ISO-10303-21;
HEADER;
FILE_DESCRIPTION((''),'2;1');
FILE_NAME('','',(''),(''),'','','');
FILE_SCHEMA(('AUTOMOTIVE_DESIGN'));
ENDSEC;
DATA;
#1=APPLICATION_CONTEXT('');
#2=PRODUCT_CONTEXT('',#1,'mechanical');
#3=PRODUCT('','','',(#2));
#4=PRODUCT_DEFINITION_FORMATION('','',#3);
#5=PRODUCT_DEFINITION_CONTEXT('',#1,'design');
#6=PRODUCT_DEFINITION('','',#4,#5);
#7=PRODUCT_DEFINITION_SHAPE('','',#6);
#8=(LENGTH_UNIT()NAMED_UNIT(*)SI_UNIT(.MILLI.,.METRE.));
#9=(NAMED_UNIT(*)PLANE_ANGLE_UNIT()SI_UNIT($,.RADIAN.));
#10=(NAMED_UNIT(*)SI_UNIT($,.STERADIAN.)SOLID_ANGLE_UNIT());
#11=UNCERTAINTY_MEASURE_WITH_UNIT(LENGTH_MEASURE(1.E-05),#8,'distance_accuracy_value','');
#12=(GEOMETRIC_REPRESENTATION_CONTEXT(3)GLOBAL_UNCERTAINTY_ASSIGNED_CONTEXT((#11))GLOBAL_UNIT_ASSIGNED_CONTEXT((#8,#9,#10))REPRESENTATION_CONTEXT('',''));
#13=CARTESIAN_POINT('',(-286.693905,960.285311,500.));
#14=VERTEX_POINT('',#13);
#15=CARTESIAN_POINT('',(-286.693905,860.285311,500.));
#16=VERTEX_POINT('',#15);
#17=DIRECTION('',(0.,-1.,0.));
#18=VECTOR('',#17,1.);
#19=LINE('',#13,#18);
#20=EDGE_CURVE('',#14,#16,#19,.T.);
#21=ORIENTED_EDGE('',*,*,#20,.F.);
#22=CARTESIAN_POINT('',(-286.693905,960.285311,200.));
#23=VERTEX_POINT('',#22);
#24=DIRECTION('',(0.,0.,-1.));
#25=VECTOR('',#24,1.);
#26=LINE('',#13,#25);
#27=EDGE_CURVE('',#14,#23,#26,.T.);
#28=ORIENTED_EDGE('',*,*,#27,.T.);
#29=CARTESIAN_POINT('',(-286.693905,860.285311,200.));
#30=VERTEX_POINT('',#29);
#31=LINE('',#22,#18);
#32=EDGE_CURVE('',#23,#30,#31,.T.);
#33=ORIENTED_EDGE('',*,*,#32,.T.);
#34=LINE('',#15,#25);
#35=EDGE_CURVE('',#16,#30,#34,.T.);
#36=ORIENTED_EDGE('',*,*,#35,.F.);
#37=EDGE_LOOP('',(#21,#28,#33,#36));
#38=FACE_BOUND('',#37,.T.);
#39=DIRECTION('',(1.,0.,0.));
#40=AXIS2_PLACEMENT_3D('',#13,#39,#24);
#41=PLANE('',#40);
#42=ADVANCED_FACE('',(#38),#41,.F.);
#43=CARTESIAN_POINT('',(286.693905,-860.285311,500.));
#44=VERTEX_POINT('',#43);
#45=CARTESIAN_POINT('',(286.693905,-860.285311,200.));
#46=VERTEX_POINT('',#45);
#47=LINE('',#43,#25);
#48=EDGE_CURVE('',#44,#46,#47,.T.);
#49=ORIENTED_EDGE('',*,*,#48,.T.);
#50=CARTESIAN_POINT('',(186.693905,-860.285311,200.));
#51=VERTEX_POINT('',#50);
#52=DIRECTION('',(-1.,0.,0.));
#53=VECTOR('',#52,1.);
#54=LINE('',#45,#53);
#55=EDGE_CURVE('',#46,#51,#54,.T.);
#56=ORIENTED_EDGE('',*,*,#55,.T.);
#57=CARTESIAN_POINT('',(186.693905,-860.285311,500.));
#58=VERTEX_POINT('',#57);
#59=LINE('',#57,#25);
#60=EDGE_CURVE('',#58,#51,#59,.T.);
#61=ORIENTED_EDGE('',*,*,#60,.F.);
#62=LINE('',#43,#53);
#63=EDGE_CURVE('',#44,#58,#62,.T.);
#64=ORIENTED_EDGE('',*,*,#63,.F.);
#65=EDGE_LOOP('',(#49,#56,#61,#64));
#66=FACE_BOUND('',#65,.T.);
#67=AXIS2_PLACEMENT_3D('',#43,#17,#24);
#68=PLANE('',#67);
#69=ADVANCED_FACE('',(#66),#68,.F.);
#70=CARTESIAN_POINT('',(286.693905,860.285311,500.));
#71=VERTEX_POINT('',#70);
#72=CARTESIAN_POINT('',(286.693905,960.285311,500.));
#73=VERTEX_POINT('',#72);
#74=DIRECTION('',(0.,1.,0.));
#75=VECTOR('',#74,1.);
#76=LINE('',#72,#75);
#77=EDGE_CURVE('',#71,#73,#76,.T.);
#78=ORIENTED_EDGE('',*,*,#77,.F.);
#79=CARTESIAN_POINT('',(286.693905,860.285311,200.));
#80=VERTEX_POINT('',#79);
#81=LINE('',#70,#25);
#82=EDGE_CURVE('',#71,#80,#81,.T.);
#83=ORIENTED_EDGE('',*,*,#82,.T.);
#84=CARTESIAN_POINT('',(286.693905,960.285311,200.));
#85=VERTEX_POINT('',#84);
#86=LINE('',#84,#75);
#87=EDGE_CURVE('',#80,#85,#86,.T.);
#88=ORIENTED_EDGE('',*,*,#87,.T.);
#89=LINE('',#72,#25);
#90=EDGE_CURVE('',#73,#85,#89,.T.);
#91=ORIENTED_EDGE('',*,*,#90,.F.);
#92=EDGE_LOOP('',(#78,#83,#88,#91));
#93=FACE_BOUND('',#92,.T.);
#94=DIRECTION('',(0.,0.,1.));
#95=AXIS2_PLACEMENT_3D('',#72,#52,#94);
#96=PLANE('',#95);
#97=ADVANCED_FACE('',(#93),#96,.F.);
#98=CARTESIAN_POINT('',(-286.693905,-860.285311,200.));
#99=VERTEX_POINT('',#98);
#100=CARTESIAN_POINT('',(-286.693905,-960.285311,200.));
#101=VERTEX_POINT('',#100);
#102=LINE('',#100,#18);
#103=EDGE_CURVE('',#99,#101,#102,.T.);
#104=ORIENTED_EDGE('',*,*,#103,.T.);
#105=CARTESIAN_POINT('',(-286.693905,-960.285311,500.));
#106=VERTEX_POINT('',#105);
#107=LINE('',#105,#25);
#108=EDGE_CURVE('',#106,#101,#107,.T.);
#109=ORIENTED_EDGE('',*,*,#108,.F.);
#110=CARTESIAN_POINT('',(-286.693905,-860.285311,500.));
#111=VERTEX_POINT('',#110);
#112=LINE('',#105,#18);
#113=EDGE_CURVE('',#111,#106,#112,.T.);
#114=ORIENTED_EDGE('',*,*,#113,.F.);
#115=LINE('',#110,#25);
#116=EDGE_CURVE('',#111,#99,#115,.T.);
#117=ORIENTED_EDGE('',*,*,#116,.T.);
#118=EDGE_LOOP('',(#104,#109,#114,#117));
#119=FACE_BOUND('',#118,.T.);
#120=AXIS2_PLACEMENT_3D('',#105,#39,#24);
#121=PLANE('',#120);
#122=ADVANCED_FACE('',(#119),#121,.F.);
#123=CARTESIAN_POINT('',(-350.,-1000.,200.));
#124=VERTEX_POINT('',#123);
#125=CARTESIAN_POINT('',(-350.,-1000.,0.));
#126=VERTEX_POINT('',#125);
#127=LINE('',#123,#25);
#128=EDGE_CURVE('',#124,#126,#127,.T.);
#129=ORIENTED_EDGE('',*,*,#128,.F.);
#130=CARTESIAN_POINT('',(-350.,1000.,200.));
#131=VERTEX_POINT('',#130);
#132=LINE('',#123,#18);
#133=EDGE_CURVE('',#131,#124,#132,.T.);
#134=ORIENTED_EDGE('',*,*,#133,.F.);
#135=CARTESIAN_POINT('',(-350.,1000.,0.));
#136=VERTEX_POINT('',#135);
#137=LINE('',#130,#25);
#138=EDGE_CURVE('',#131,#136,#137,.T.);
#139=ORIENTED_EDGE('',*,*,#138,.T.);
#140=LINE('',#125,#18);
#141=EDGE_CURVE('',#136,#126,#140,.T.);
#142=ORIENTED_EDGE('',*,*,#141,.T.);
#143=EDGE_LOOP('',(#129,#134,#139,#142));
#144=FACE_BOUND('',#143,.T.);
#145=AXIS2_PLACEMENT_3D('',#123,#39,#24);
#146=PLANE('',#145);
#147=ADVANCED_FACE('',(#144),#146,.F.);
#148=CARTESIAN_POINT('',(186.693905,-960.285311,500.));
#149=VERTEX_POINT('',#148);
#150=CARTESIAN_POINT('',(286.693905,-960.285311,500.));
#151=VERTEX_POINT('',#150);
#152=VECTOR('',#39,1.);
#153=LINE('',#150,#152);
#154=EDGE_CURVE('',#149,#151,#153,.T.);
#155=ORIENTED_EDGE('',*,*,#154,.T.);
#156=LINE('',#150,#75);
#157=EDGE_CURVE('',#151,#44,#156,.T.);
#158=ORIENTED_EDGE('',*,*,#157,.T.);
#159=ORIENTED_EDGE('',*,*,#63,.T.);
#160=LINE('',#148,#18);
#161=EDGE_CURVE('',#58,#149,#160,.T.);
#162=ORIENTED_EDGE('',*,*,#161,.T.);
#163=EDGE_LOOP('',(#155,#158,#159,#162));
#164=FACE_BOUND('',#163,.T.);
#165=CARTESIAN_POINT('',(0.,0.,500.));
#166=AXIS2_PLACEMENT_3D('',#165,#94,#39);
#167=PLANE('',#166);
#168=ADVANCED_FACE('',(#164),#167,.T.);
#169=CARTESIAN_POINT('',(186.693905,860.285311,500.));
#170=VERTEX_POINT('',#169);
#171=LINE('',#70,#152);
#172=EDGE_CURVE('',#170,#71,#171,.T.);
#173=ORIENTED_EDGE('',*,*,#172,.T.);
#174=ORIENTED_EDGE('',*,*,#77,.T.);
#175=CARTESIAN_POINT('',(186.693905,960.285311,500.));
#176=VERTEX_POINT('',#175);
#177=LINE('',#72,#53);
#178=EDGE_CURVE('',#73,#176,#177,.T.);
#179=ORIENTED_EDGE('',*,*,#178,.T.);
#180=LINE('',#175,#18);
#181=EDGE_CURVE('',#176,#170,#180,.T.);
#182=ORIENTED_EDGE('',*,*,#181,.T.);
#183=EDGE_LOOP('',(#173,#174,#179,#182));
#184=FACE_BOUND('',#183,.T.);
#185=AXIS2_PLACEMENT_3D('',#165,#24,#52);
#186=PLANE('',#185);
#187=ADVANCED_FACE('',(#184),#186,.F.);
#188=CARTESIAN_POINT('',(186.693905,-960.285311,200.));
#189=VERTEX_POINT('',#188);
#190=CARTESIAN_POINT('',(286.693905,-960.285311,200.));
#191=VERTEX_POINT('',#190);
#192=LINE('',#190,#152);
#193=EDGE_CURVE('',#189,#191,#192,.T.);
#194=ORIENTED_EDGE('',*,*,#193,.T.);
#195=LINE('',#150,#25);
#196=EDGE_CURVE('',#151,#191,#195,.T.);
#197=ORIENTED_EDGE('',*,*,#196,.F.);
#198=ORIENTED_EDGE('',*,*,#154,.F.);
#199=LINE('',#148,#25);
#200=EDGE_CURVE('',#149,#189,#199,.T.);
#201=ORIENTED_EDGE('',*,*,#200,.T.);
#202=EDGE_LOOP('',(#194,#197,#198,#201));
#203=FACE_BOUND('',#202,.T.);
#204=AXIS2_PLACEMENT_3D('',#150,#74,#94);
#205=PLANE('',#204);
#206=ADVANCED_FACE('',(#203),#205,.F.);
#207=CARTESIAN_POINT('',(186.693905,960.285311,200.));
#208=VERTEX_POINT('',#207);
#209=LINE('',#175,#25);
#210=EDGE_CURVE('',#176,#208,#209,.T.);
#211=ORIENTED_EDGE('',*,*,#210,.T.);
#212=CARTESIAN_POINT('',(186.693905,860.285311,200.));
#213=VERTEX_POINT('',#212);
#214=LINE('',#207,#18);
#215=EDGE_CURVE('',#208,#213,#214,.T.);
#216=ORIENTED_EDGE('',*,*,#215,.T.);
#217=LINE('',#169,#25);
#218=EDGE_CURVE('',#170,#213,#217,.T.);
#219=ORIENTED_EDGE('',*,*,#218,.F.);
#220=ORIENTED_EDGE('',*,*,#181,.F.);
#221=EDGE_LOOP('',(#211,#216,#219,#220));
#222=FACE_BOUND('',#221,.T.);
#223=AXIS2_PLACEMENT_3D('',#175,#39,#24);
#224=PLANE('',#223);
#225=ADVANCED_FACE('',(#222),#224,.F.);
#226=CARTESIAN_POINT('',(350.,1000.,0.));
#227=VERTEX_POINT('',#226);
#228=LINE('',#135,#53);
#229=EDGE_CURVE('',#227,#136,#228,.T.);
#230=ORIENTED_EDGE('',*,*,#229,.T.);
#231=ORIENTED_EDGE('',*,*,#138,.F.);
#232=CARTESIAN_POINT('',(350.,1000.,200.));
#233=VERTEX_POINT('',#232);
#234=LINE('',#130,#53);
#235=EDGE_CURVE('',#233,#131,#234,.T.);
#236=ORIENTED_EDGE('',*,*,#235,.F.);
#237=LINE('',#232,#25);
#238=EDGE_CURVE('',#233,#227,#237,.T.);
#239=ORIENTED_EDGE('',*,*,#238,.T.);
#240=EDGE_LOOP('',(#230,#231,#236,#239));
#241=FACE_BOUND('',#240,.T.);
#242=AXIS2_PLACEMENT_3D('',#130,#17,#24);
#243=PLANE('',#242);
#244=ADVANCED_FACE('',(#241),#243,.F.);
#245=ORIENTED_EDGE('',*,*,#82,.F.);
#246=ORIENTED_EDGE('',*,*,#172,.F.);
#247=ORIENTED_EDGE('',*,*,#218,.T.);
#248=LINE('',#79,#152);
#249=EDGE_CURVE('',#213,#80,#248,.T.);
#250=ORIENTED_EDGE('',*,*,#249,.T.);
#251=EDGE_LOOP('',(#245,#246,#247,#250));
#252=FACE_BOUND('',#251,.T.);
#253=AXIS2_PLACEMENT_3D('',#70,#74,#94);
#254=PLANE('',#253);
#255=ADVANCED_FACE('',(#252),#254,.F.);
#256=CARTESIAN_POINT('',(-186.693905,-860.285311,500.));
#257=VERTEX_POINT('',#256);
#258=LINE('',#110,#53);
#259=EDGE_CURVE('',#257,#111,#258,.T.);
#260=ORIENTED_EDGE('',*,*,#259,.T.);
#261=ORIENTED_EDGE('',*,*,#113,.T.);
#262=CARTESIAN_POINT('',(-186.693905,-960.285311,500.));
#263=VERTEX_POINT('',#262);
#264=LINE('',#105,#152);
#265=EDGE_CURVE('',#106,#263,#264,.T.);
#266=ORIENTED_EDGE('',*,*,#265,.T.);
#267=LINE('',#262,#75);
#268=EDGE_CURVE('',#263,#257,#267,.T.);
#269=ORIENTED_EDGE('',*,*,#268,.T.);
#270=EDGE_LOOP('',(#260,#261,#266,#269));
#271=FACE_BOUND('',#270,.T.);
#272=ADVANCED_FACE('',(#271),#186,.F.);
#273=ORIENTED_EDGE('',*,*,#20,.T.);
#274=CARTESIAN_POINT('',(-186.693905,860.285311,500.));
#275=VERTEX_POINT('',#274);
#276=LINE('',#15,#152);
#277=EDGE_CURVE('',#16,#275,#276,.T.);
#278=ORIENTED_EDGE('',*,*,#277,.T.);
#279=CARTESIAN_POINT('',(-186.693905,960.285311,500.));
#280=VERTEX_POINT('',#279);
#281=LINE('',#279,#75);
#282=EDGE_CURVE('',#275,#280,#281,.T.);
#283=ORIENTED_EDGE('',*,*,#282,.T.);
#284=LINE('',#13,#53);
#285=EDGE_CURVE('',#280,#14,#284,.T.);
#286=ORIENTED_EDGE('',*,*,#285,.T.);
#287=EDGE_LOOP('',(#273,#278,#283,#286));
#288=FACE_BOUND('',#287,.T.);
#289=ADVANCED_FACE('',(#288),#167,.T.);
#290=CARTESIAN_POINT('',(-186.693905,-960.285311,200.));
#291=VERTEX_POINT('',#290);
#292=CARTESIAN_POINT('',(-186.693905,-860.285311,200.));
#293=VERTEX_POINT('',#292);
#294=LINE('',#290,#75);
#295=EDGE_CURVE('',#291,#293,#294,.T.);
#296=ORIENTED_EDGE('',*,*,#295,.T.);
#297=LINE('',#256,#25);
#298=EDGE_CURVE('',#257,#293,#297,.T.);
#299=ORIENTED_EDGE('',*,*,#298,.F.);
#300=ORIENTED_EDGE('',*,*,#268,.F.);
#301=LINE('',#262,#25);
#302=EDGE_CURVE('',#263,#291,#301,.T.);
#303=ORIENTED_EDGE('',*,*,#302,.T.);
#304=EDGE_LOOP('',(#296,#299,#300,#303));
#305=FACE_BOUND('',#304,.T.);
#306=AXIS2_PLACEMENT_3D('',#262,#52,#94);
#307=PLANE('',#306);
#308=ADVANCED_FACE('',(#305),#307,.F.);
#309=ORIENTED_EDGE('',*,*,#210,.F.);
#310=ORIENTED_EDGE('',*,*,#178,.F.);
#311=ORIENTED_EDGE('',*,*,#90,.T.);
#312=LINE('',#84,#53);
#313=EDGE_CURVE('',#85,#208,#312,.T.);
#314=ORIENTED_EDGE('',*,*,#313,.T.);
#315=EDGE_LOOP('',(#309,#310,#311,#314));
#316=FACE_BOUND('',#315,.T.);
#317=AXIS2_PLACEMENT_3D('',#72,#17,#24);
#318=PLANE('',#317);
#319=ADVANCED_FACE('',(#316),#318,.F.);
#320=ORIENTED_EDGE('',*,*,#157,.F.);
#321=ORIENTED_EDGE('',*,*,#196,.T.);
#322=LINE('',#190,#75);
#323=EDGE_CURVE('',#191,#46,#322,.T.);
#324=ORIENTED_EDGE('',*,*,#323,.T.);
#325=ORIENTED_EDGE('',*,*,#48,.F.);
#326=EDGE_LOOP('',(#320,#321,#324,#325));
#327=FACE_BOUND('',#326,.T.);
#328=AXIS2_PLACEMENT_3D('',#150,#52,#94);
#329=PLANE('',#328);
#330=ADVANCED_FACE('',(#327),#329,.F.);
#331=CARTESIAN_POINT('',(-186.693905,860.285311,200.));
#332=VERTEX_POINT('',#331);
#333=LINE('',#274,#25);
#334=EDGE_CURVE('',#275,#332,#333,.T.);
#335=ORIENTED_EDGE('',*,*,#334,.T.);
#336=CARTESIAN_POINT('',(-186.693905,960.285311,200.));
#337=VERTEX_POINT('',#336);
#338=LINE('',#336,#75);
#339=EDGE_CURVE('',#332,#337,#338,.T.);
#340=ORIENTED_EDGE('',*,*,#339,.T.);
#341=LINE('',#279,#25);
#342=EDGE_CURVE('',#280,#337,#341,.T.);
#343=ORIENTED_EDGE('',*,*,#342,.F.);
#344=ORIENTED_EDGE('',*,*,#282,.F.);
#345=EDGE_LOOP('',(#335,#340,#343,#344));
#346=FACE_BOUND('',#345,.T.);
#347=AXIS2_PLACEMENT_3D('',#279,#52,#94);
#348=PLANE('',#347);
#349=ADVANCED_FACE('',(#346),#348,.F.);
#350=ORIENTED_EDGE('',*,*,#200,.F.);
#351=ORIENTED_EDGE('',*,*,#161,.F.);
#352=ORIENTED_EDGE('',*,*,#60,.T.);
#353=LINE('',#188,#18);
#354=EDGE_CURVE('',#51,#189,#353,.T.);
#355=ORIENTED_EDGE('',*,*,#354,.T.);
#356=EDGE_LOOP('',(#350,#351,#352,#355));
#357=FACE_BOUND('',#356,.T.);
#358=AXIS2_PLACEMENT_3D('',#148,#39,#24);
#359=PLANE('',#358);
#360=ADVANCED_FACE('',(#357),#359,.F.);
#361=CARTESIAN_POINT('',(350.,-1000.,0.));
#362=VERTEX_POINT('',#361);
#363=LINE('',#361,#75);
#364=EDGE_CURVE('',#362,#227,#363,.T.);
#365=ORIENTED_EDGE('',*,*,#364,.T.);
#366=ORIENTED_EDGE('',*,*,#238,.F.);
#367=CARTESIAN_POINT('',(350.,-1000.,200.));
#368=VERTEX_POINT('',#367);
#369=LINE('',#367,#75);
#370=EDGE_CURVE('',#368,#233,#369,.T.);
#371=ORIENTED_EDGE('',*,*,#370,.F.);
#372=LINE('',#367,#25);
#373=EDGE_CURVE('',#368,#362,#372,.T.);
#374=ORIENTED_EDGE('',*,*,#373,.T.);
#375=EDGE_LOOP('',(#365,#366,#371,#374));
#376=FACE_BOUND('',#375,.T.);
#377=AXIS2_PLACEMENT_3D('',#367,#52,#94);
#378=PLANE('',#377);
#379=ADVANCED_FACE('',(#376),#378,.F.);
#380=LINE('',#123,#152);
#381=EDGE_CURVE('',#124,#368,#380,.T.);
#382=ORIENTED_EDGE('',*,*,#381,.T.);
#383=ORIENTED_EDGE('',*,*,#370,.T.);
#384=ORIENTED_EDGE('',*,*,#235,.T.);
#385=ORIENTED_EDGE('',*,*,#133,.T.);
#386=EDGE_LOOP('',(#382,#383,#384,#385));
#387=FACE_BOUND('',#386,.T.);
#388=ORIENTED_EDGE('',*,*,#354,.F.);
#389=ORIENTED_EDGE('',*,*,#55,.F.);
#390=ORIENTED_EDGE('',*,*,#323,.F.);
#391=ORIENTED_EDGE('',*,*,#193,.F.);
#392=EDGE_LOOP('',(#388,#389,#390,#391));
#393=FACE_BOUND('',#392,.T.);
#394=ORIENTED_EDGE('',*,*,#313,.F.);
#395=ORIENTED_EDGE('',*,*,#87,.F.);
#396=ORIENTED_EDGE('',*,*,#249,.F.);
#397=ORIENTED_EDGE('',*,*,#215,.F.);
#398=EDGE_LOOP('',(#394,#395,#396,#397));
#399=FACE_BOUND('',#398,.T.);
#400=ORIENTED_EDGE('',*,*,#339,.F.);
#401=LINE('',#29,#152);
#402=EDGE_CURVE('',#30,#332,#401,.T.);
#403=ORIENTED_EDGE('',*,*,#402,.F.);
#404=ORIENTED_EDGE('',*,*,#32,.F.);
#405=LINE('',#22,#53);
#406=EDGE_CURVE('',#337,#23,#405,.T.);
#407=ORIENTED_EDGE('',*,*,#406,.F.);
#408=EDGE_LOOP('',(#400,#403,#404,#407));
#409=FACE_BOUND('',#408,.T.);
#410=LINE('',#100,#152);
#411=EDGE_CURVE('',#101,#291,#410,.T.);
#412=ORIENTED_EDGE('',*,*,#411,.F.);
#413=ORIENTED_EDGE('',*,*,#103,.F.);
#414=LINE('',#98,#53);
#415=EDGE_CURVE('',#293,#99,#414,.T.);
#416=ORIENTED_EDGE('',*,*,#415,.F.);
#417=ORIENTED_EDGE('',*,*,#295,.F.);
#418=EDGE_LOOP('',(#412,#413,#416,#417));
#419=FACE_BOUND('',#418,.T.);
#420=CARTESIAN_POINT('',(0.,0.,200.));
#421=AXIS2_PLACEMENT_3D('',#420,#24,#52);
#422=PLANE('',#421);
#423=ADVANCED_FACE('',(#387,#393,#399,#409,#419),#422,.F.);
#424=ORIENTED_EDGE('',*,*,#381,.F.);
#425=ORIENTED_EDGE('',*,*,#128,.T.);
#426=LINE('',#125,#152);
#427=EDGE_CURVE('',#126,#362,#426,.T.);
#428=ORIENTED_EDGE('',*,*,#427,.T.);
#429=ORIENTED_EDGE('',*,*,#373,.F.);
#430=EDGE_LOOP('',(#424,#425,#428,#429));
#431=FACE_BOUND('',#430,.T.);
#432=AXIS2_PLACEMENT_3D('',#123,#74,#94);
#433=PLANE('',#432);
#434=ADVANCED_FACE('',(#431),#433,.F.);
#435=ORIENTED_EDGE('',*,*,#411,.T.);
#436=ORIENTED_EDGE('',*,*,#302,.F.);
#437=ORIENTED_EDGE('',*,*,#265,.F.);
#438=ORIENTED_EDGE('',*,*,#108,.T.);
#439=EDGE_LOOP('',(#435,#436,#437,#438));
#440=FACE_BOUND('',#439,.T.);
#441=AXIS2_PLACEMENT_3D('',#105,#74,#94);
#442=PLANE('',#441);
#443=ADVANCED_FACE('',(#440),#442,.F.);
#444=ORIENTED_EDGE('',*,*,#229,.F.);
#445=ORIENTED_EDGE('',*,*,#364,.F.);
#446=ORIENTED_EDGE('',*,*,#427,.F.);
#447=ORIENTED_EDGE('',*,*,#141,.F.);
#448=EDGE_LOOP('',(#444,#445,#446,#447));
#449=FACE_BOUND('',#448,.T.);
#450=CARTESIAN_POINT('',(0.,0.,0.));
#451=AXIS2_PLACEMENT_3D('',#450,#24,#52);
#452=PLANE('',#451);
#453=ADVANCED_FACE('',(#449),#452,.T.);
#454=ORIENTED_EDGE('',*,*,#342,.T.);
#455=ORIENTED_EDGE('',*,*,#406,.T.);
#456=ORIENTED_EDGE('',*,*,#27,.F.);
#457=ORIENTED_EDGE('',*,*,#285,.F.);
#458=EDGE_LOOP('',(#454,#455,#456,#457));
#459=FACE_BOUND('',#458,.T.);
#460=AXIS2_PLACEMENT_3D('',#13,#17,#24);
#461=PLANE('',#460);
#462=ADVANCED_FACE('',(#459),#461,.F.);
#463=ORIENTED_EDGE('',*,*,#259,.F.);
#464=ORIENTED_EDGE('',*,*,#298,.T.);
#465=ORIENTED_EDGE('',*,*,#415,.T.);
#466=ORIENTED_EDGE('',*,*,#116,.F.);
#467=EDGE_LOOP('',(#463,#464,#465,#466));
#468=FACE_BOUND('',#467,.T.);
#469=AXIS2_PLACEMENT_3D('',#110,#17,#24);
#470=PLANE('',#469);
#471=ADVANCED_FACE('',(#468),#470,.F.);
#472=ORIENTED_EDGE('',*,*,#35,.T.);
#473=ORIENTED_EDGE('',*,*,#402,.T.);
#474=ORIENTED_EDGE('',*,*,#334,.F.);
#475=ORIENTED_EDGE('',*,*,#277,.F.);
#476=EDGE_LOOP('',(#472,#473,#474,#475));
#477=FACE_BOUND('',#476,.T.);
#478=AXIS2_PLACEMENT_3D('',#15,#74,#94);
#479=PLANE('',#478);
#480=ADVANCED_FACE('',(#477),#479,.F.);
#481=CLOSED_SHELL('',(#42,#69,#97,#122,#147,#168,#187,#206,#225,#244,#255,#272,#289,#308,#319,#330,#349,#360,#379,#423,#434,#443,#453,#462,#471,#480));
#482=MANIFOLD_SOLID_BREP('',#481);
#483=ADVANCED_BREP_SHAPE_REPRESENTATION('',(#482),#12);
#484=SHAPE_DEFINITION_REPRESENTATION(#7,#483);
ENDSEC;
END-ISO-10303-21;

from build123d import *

# Parameters (mm, degrees)
SKETCH_1_W      = 700
SKETCH_1_H      = 2000
EXTRUDE_1_DEPTH = 200
SKETCH_2_W      = 100
SKETCH_2_H      = 100
EXTRUDE_2_DEPTH = 300


with BuildPart() as part:
    # 草图1 → 凸台-拉伸1 (new body)
    with BuildSketch(Plane.XY):
        Rectangle(SKETCH_1_W, SKETCH_1_H)
    extrude(amount=EXTRUDE_1_DEPTH)

    # 草图2 → 凸台-拉伸2 (add)
    with BuildSketch(Plane.XY.offset(200)):
        with Locations((-236.693905306, 910.285310824)):
            Rectangle(SKETCH_2_W, SKETCH_2_H)
        with Locations((236.693905306, 910.285310824)):
            Rectangle(SKETCH_2_W, SKETCH_2_H)
        with Locations((236.693905306, -910.285310824)):
            Rectangle(SKETCH_2_W, SKETCH_2_H)
        with Locations((-236.693905306, -910.285310824)):
            Rectangle(SKETCH_2_W, SKETCH_2_H)
    extrude(amount=EXTRUDE_2_DEPTH)


solid = part.part
